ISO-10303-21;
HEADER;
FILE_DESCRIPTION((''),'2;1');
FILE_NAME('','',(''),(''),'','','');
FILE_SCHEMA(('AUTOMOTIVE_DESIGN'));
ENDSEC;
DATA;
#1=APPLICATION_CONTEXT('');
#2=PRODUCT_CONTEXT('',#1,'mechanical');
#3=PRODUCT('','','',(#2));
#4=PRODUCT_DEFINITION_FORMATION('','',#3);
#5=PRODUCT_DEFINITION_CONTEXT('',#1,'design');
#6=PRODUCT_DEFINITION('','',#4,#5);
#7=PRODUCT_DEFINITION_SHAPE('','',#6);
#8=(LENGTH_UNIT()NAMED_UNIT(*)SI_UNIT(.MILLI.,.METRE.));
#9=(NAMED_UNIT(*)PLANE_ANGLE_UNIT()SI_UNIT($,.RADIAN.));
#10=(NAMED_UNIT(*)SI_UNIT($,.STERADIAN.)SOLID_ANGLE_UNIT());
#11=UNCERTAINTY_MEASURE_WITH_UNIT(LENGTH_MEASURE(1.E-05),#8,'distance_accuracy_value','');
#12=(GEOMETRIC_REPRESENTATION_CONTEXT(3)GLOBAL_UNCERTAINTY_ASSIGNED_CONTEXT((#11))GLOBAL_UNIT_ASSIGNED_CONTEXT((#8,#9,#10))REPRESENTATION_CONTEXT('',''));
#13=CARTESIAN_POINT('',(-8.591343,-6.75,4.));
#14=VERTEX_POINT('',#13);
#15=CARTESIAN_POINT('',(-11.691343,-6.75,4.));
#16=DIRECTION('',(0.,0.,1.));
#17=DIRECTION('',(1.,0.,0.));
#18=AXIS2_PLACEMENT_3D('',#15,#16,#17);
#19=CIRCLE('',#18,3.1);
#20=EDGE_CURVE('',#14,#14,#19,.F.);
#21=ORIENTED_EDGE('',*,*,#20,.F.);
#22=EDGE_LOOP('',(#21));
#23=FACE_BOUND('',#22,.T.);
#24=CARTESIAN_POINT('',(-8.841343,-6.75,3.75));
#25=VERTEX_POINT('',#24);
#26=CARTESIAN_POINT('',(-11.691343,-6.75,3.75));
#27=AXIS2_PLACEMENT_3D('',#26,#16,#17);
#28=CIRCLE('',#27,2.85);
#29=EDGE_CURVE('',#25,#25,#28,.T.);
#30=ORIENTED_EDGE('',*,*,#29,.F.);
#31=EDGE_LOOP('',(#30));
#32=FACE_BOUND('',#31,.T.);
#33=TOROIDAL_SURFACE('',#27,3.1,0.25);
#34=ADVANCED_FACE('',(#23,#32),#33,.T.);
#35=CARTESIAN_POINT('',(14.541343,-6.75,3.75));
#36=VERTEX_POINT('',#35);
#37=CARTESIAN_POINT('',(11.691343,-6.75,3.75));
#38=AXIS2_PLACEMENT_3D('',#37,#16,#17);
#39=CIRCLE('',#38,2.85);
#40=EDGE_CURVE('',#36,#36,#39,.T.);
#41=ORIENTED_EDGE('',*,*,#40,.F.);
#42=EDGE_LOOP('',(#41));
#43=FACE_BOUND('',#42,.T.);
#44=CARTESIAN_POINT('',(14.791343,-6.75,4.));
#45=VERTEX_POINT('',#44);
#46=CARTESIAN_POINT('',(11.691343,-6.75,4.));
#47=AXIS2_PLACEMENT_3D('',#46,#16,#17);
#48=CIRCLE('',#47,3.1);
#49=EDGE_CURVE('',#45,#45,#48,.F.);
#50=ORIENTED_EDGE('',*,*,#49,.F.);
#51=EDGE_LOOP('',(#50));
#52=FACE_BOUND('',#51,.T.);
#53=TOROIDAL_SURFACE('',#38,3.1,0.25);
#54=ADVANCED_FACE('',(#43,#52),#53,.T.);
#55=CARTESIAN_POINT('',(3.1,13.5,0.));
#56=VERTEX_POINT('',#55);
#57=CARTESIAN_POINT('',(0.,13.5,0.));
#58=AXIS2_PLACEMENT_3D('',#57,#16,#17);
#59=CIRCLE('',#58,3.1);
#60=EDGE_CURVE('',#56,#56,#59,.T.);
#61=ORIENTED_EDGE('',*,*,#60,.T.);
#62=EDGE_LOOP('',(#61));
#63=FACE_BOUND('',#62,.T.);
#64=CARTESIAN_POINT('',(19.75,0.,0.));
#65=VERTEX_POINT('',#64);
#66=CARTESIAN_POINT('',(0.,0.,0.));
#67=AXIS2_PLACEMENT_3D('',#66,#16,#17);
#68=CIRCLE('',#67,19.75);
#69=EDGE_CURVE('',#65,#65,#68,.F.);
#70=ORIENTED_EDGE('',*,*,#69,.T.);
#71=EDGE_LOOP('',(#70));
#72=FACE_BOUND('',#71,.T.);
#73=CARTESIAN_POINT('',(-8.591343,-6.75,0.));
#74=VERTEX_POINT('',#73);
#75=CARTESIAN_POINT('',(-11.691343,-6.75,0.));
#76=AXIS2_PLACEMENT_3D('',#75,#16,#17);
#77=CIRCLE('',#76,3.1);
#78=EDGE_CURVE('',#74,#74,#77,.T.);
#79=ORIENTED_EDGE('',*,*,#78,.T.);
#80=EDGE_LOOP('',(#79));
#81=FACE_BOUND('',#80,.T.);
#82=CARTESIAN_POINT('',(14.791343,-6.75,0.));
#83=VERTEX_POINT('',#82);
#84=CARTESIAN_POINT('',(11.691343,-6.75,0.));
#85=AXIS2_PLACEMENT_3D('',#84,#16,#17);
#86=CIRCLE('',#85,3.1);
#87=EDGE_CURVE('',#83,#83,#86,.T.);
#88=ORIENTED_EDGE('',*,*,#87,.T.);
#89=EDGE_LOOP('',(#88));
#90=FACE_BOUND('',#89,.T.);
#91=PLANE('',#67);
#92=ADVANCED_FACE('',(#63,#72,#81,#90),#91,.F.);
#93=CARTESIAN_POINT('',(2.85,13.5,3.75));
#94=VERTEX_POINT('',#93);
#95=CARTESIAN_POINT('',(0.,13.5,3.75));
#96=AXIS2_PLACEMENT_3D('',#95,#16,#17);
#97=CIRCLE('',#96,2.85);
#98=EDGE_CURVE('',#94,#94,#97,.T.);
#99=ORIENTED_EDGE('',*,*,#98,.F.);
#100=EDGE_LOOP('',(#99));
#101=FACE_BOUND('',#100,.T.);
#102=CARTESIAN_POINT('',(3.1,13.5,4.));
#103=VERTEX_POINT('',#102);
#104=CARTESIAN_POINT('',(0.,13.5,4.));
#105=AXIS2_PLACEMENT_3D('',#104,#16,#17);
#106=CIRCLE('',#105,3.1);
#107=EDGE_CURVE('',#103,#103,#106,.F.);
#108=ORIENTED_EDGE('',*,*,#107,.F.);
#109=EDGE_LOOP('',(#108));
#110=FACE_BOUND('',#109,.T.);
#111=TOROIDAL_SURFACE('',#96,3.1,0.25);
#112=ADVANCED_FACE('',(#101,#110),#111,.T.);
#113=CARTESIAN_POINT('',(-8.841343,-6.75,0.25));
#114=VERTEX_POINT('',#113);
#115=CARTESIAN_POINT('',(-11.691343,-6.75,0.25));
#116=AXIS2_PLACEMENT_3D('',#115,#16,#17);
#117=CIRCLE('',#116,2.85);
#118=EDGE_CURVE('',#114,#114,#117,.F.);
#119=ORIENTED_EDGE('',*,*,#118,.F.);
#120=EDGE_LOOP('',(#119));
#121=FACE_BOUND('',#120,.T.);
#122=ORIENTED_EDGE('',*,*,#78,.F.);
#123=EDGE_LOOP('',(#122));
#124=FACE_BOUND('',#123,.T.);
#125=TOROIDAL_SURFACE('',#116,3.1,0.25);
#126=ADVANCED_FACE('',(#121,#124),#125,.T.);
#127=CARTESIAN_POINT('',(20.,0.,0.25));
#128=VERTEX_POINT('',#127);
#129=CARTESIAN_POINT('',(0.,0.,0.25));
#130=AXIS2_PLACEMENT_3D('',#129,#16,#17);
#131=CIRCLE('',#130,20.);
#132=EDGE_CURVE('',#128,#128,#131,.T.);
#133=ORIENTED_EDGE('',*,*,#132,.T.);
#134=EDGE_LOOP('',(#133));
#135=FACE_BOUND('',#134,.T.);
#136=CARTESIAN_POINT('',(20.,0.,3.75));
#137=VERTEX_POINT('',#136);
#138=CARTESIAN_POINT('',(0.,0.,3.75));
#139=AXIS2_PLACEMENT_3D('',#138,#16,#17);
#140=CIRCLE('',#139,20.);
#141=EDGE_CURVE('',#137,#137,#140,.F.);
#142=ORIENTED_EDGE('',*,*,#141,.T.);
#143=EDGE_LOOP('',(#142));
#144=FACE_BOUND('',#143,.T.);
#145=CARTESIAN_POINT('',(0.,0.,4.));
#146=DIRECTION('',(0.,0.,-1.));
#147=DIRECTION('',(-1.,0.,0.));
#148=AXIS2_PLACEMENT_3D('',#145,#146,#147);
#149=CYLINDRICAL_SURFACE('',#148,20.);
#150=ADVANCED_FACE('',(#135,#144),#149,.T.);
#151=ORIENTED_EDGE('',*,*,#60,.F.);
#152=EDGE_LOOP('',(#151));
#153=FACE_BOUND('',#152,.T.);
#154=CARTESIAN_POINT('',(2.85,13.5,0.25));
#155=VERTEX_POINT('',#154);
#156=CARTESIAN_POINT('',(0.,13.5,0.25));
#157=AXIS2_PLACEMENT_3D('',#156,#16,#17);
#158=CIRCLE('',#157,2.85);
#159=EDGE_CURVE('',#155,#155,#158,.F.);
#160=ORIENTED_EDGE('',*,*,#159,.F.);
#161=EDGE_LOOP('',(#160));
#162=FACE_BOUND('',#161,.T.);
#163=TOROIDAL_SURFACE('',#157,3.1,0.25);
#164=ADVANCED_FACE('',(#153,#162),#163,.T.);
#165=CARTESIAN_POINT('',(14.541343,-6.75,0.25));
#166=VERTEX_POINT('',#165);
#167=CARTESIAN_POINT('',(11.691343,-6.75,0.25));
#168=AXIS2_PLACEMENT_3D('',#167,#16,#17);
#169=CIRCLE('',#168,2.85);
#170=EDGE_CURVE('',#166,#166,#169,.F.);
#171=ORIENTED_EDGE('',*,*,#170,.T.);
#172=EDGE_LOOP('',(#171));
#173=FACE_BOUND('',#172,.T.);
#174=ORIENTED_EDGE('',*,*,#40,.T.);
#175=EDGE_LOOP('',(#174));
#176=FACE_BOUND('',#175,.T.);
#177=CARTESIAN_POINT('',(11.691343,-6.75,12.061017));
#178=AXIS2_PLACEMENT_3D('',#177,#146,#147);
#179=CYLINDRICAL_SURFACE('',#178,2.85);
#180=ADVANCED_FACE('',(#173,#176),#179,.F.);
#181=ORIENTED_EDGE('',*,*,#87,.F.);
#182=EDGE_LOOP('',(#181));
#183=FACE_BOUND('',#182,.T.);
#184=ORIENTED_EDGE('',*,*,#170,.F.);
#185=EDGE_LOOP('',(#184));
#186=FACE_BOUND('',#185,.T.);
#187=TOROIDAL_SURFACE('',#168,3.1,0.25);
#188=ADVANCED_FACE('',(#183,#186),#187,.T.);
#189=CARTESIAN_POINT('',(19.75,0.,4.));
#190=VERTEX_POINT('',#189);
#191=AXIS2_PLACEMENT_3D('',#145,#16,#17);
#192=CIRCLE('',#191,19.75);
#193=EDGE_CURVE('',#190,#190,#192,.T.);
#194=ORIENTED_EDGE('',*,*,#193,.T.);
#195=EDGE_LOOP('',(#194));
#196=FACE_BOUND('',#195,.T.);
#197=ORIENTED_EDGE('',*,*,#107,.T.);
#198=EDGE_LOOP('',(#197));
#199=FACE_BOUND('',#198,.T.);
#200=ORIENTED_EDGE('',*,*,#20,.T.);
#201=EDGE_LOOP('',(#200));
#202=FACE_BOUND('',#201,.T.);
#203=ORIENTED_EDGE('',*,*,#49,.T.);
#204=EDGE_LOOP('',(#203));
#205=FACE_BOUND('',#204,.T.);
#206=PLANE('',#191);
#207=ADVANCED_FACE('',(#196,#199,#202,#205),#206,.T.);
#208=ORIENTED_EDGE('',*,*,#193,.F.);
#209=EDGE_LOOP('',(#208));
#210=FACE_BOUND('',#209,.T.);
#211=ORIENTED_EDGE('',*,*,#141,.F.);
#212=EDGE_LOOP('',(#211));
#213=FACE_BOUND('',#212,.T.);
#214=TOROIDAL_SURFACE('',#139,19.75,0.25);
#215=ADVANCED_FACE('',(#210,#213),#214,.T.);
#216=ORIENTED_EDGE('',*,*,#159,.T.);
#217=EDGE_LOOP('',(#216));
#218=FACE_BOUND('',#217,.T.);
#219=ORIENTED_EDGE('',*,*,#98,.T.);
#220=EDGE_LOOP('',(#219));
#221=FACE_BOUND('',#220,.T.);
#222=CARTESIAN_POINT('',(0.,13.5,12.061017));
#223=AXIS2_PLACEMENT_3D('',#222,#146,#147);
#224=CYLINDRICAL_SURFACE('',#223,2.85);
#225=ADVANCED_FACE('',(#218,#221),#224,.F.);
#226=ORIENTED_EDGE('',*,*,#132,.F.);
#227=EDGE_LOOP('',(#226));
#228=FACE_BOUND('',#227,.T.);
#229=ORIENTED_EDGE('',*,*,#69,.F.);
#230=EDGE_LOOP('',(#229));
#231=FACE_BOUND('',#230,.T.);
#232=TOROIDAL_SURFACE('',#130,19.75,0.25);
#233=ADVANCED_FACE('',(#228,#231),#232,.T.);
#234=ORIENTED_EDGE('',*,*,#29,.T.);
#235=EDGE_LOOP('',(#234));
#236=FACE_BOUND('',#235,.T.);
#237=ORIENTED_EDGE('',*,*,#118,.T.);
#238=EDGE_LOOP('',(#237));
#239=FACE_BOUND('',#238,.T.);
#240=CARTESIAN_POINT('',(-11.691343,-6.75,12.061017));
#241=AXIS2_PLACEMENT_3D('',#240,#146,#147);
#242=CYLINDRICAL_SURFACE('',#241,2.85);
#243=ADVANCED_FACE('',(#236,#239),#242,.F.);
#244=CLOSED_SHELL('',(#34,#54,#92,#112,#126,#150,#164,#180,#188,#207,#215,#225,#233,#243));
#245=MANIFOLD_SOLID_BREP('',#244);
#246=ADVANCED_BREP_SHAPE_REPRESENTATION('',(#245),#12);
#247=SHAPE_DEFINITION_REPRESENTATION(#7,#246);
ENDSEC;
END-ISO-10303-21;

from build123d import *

# Parameters (mm, degrees)
CROQUIS1_R              = 20
SALIENTE_EXTRUIR1_DEPTH = 4
CROQUIS2_R              = 2.85
CORTAR_EXTRUIR2_DEPTH   = 4
REDONDEO1_R             = 0.25


with BuildPart() as part:
    # Croquis1 → Saliente-Extruir1 (new body)
    with BuildSketch(Plane.XY):
        Circle(CROQUIS1_R)
    extrude(amount=SALIENTE_EXTRUIR1_DEPTH)

    # Croquis2 → Cortar-Extruir2 (cut)
    with BuildSketch(Plane.XY):
        with Locations((0, 13.5)):
            Circle(CROQUIS2_R)
        with Locations((11.691342951, -6.75)):
            Circle(CROQUIS2_R)
        with Locations((-11.691342951, -6.75)):
            Circle(CROQUIS2_R)
    extrude(amount=CORTAR_EXTRUIR2_DEPTH, mode=Mode.SUBTRACT)

    # Redondeo1
    redondeo1_edges = [part.edges().sort_by_distance(p)[0] for p in [
        (-14.541342951, -6.75, 0),
        (-14.541342951, -6.75, 4),
        (8.841342951, -6.75, 0),
        (8.841342951, -6.75, 4),
        (-20, 0, 0),
        (-20, 0, 4),
        (-2.85, 13.5, 0),
        (-2.85, 13.5, 4),
    ]]
    fillet(redondeo1_edges, radius=REDONDEO1_R)


solid = part.part
